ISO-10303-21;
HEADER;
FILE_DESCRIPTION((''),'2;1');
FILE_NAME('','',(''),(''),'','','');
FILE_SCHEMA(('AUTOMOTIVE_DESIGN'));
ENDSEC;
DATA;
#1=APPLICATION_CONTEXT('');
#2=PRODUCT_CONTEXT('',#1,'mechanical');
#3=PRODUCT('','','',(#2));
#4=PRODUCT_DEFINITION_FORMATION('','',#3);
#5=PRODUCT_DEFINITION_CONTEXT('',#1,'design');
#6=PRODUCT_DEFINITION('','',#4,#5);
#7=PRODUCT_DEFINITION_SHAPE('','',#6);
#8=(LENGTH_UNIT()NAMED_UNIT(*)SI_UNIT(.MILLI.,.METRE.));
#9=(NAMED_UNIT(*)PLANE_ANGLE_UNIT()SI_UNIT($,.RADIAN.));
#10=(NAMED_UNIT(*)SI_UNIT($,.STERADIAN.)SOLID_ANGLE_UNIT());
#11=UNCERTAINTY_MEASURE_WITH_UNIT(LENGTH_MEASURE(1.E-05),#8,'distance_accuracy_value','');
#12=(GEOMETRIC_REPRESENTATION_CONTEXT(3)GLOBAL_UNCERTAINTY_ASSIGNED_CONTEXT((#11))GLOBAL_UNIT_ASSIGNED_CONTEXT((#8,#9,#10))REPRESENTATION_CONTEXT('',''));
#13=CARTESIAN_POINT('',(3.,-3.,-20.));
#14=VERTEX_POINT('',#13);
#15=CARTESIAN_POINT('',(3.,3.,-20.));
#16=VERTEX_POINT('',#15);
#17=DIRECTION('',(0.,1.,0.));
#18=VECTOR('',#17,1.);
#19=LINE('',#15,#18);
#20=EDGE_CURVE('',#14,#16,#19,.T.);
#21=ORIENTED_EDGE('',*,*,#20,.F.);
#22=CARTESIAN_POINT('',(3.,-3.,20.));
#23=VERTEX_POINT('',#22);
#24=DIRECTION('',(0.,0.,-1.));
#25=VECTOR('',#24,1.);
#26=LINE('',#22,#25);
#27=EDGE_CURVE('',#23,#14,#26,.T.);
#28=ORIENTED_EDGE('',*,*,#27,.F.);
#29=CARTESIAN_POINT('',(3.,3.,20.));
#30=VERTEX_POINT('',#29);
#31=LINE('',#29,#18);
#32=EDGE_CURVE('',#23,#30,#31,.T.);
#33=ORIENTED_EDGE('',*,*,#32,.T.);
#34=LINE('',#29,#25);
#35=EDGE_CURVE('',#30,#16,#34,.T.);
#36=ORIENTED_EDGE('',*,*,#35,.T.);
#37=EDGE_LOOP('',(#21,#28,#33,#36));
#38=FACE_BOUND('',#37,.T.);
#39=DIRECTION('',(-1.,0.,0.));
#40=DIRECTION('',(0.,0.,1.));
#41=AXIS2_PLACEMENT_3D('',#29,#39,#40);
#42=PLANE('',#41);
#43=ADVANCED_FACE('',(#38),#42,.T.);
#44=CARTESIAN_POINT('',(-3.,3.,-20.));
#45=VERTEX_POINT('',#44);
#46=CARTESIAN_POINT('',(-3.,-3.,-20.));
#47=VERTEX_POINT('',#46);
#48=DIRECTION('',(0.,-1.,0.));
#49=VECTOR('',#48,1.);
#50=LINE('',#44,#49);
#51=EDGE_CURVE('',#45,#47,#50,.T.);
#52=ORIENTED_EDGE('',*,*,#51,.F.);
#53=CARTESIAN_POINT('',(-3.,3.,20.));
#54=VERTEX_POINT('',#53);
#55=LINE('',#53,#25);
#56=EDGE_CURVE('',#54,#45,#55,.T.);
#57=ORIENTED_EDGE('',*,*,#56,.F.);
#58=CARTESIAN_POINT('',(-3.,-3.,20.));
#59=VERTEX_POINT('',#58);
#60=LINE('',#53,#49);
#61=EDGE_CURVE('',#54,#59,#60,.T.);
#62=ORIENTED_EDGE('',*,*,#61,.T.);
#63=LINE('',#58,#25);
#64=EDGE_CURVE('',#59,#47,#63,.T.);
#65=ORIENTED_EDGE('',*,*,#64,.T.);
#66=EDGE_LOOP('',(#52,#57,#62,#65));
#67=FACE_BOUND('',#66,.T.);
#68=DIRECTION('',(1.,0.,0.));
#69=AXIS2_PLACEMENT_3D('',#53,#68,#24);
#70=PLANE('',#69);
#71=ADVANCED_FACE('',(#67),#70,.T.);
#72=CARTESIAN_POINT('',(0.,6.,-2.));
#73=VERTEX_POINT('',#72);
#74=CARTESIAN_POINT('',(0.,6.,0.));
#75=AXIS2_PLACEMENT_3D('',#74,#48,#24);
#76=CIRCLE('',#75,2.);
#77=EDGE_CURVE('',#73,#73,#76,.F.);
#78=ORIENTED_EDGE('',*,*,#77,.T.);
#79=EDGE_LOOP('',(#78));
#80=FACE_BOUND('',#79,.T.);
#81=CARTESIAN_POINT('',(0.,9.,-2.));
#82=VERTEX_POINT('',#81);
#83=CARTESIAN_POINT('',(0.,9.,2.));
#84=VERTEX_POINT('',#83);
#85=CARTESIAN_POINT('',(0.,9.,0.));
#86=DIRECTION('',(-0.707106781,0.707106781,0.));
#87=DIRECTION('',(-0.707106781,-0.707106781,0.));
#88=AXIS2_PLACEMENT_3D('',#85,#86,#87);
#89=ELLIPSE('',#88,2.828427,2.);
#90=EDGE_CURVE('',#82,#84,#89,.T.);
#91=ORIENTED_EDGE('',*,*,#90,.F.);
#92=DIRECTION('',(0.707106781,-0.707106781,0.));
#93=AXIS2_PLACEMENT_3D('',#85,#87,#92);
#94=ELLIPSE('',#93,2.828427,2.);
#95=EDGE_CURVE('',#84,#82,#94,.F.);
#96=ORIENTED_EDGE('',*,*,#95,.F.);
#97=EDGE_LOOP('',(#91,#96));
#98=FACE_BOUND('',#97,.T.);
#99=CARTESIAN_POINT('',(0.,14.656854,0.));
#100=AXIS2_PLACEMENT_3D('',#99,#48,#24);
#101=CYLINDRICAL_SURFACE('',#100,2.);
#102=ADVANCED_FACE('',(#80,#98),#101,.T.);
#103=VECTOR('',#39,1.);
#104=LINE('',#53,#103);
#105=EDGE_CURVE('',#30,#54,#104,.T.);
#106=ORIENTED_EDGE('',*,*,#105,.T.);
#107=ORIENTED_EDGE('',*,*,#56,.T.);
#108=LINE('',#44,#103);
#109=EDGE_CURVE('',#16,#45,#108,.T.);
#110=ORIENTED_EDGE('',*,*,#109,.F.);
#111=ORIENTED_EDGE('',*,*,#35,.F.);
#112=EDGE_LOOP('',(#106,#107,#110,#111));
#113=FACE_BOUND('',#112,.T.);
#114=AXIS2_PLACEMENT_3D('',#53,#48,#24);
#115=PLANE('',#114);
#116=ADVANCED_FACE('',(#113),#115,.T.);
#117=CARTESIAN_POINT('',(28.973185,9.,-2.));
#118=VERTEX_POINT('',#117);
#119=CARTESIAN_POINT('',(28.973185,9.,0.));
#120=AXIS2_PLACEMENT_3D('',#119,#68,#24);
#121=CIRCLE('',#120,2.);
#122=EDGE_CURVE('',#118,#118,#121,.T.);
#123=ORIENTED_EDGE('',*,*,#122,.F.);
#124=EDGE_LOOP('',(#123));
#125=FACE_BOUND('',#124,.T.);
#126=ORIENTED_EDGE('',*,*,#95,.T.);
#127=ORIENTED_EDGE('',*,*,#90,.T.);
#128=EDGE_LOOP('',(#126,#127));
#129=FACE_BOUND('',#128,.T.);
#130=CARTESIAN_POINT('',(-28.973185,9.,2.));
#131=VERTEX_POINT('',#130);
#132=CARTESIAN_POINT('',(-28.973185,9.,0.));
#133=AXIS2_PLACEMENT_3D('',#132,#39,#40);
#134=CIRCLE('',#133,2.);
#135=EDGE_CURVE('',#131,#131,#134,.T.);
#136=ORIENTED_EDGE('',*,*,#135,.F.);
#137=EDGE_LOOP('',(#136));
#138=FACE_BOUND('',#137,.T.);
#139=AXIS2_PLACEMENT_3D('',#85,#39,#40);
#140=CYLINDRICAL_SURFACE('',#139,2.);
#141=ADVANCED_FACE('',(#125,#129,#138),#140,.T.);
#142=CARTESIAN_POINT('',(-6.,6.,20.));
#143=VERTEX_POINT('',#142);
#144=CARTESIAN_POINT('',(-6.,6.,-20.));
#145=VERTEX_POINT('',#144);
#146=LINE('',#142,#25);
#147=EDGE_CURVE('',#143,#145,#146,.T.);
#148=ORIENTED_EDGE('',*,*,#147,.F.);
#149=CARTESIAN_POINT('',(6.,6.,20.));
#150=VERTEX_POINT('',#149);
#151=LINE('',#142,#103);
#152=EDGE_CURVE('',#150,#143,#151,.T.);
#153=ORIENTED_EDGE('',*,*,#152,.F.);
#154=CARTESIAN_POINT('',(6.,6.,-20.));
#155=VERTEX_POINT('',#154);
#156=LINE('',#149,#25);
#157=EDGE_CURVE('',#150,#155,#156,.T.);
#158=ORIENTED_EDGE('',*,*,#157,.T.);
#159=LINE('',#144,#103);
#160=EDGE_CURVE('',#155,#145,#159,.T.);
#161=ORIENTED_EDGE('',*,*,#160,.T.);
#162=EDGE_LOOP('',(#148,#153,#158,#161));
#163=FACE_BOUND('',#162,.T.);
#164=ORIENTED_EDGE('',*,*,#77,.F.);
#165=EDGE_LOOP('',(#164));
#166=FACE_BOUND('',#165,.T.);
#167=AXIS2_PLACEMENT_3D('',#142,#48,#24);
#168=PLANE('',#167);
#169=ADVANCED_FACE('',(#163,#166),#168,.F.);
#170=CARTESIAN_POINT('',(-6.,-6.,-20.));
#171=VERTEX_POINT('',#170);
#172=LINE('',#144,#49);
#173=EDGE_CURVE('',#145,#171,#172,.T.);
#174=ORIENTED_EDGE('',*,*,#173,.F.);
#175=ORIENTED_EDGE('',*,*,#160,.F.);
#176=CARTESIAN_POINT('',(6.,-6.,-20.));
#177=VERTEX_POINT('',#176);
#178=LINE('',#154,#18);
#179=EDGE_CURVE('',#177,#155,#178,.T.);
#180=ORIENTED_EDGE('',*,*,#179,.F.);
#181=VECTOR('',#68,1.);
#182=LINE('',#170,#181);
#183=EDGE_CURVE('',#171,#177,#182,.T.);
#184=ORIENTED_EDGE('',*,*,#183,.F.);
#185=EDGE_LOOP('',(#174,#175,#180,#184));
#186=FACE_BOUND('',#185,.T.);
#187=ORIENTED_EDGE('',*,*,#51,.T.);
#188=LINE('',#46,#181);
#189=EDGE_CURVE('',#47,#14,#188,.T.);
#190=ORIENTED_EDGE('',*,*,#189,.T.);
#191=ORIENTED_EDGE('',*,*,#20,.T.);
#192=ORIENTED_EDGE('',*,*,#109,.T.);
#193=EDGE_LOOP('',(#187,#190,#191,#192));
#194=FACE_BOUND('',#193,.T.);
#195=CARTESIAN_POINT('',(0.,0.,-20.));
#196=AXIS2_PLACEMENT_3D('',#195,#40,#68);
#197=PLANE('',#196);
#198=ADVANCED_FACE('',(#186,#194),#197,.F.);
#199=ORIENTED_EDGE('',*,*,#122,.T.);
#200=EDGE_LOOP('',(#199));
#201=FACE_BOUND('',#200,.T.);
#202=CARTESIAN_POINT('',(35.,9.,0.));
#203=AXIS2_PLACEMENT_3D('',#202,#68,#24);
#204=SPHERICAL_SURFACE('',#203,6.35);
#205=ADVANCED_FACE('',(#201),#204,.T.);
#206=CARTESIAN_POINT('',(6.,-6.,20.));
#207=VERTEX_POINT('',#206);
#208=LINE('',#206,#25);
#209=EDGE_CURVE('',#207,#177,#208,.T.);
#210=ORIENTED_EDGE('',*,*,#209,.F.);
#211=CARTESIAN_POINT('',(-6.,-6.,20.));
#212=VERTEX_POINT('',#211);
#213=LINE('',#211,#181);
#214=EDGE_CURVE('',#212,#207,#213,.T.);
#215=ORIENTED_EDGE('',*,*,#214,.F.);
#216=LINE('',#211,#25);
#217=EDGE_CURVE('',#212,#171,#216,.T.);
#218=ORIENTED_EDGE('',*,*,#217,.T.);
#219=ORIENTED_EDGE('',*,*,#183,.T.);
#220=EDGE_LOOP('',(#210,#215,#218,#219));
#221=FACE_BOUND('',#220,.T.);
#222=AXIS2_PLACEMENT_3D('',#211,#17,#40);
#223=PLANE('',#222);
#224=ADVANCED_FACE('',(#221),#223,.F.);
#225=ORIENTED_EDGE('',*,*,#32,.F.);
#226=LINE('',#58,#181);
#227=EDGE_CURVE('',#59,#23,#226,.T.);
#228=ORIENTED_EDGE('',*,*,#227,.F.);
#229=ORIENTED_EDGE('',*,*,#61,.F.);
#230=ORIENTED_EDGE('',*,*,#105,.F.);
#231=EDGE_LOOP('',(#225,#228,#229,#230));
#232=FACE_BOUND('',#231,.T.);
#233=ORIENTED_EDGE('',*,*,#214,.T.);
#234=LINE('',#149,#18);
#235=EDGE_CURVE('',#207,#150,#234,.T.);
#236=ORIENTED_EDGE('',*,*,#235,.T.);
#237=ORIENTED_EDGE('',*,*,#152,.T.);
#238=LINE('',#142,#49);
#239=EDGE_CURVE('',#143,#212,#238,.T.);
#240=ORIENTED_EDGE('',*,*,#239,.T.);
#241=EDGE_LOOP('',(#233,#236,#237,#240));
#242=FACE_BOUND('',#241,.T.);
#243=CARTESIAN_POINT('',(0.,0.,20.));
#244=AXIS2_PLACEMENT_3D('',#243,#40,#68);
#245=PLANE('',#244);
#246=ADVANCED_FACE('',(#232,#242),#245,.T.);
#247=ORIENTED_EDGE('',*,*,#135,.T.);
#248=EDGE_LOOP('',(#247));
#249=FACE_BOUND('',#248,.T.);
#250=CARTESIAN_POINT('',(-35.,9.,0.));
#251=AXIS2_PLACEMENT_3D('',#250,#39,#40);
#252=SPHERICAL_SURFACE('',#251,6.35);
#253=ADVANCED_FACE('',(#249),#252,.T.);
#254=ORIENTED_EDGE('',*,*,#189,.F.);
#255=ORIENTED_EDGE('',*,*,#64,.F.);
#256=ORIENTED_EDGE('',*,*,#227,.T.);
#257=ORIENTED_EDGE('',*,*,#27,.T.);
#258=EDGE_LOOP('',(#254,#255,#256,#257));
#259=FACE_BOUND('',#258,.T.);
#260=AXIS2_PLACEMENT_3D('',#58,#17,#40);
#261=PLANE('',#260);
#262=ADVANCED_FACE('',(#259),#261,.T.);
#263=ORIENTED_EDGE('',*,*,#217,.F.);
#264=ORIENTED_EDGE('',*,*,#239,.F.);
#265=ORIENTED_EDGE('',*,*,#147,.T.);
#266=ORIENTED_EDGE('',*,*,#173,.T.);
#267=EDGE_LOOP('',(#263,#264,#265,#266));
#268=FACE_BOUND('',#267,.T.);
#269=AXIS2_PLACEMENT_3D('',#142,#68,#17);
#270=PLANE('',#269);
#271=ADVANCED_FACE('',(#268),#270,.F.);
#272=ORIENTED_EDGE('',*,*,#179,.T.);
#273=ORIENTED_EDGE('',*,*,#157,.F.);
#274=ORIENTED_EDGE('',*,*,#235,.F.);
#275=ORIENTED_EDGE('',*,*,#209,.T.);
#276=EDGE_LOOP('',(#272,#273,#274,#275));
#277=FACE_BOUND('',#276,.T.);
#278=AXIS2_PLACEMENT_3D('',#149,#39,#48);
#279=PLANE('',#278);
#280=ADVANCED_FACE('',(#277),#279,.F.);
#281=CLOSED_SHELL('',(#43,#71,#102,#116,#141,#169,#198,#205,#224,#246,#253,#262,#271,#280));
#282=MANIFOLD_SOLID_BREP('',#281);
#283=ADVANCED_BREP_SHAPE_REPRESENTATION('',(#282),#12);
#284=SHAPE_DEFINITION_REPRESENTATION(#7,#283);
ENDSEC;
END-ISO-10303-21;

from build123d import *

# Parameters (mm, degrees)
ESQUISSE1_W        = 12
ESQUISSE1_H        = 12
ESQUISSE1_W_2      = 6
ESQUISSE1_H_2      = 6
BOSS_EXTRU_1_DEPTH = 20
ESQUISSE2_R        = 2


with BuildPart() as part:
    # Esquisse1 → Boss.-Extru.1 (new, symmetric)
    with BuildSketch(Plane.XY):
        Rectangle(ESQUISSE1_W, ESQUISSE1_H)
        Rectangle(ESQUISSE1_W_2, ESQUISSE1_H_2, mode=Mode.SUBTRACT)
    extrude(amount=BOSS_EXTRU_1_DEPTH, both=True)

    # Balayage1: sweep along a curve in space
    with BuildLine() as balayage1_path:
        Line((0, 6, 0), (0, 9, 0))
        Line((0, 9, 0), (-35, 9, 0))
    # Esquisse2 → Balayage1 (sweep)
    with BuildSketch(Plane(origin=(0, 6, 0), x_dir=(1, 0, 0), z_dir=(0, 1, 0))):
        Circle(ESQUISSE2_R)
    balayage1 = sweep(path=balayage1_path.line, transition=Transition.RIGHT)

    # Esquisse3 → Révolution1 (revolve)
    with BuildSketch(Plane.XY):
        with BuildLine():
            Line((-35, 15.35), (-35, 2.65))
            ThreePointArc((-35, 2.65), (-41.35, 9), (-35, 15.35))
        make_face()
    r_volution1 = revolve(axis=Axis((-35, 15.35, 0), (0, -1, 0)))

    # Symétrie1: Balayage1, Révolution1 across plane
    add(balayage1.mirror(Plane(origin=(0, 0, 0), x_dir=(0, 0, 1), z_dir=(1, 0, 0))))
    add(r_volution1.mirror(Plane(origin=(0, 0, 0), x_dir=(0, 0, 1), z_dir=(1, 0, 0))))


solid = part.part
